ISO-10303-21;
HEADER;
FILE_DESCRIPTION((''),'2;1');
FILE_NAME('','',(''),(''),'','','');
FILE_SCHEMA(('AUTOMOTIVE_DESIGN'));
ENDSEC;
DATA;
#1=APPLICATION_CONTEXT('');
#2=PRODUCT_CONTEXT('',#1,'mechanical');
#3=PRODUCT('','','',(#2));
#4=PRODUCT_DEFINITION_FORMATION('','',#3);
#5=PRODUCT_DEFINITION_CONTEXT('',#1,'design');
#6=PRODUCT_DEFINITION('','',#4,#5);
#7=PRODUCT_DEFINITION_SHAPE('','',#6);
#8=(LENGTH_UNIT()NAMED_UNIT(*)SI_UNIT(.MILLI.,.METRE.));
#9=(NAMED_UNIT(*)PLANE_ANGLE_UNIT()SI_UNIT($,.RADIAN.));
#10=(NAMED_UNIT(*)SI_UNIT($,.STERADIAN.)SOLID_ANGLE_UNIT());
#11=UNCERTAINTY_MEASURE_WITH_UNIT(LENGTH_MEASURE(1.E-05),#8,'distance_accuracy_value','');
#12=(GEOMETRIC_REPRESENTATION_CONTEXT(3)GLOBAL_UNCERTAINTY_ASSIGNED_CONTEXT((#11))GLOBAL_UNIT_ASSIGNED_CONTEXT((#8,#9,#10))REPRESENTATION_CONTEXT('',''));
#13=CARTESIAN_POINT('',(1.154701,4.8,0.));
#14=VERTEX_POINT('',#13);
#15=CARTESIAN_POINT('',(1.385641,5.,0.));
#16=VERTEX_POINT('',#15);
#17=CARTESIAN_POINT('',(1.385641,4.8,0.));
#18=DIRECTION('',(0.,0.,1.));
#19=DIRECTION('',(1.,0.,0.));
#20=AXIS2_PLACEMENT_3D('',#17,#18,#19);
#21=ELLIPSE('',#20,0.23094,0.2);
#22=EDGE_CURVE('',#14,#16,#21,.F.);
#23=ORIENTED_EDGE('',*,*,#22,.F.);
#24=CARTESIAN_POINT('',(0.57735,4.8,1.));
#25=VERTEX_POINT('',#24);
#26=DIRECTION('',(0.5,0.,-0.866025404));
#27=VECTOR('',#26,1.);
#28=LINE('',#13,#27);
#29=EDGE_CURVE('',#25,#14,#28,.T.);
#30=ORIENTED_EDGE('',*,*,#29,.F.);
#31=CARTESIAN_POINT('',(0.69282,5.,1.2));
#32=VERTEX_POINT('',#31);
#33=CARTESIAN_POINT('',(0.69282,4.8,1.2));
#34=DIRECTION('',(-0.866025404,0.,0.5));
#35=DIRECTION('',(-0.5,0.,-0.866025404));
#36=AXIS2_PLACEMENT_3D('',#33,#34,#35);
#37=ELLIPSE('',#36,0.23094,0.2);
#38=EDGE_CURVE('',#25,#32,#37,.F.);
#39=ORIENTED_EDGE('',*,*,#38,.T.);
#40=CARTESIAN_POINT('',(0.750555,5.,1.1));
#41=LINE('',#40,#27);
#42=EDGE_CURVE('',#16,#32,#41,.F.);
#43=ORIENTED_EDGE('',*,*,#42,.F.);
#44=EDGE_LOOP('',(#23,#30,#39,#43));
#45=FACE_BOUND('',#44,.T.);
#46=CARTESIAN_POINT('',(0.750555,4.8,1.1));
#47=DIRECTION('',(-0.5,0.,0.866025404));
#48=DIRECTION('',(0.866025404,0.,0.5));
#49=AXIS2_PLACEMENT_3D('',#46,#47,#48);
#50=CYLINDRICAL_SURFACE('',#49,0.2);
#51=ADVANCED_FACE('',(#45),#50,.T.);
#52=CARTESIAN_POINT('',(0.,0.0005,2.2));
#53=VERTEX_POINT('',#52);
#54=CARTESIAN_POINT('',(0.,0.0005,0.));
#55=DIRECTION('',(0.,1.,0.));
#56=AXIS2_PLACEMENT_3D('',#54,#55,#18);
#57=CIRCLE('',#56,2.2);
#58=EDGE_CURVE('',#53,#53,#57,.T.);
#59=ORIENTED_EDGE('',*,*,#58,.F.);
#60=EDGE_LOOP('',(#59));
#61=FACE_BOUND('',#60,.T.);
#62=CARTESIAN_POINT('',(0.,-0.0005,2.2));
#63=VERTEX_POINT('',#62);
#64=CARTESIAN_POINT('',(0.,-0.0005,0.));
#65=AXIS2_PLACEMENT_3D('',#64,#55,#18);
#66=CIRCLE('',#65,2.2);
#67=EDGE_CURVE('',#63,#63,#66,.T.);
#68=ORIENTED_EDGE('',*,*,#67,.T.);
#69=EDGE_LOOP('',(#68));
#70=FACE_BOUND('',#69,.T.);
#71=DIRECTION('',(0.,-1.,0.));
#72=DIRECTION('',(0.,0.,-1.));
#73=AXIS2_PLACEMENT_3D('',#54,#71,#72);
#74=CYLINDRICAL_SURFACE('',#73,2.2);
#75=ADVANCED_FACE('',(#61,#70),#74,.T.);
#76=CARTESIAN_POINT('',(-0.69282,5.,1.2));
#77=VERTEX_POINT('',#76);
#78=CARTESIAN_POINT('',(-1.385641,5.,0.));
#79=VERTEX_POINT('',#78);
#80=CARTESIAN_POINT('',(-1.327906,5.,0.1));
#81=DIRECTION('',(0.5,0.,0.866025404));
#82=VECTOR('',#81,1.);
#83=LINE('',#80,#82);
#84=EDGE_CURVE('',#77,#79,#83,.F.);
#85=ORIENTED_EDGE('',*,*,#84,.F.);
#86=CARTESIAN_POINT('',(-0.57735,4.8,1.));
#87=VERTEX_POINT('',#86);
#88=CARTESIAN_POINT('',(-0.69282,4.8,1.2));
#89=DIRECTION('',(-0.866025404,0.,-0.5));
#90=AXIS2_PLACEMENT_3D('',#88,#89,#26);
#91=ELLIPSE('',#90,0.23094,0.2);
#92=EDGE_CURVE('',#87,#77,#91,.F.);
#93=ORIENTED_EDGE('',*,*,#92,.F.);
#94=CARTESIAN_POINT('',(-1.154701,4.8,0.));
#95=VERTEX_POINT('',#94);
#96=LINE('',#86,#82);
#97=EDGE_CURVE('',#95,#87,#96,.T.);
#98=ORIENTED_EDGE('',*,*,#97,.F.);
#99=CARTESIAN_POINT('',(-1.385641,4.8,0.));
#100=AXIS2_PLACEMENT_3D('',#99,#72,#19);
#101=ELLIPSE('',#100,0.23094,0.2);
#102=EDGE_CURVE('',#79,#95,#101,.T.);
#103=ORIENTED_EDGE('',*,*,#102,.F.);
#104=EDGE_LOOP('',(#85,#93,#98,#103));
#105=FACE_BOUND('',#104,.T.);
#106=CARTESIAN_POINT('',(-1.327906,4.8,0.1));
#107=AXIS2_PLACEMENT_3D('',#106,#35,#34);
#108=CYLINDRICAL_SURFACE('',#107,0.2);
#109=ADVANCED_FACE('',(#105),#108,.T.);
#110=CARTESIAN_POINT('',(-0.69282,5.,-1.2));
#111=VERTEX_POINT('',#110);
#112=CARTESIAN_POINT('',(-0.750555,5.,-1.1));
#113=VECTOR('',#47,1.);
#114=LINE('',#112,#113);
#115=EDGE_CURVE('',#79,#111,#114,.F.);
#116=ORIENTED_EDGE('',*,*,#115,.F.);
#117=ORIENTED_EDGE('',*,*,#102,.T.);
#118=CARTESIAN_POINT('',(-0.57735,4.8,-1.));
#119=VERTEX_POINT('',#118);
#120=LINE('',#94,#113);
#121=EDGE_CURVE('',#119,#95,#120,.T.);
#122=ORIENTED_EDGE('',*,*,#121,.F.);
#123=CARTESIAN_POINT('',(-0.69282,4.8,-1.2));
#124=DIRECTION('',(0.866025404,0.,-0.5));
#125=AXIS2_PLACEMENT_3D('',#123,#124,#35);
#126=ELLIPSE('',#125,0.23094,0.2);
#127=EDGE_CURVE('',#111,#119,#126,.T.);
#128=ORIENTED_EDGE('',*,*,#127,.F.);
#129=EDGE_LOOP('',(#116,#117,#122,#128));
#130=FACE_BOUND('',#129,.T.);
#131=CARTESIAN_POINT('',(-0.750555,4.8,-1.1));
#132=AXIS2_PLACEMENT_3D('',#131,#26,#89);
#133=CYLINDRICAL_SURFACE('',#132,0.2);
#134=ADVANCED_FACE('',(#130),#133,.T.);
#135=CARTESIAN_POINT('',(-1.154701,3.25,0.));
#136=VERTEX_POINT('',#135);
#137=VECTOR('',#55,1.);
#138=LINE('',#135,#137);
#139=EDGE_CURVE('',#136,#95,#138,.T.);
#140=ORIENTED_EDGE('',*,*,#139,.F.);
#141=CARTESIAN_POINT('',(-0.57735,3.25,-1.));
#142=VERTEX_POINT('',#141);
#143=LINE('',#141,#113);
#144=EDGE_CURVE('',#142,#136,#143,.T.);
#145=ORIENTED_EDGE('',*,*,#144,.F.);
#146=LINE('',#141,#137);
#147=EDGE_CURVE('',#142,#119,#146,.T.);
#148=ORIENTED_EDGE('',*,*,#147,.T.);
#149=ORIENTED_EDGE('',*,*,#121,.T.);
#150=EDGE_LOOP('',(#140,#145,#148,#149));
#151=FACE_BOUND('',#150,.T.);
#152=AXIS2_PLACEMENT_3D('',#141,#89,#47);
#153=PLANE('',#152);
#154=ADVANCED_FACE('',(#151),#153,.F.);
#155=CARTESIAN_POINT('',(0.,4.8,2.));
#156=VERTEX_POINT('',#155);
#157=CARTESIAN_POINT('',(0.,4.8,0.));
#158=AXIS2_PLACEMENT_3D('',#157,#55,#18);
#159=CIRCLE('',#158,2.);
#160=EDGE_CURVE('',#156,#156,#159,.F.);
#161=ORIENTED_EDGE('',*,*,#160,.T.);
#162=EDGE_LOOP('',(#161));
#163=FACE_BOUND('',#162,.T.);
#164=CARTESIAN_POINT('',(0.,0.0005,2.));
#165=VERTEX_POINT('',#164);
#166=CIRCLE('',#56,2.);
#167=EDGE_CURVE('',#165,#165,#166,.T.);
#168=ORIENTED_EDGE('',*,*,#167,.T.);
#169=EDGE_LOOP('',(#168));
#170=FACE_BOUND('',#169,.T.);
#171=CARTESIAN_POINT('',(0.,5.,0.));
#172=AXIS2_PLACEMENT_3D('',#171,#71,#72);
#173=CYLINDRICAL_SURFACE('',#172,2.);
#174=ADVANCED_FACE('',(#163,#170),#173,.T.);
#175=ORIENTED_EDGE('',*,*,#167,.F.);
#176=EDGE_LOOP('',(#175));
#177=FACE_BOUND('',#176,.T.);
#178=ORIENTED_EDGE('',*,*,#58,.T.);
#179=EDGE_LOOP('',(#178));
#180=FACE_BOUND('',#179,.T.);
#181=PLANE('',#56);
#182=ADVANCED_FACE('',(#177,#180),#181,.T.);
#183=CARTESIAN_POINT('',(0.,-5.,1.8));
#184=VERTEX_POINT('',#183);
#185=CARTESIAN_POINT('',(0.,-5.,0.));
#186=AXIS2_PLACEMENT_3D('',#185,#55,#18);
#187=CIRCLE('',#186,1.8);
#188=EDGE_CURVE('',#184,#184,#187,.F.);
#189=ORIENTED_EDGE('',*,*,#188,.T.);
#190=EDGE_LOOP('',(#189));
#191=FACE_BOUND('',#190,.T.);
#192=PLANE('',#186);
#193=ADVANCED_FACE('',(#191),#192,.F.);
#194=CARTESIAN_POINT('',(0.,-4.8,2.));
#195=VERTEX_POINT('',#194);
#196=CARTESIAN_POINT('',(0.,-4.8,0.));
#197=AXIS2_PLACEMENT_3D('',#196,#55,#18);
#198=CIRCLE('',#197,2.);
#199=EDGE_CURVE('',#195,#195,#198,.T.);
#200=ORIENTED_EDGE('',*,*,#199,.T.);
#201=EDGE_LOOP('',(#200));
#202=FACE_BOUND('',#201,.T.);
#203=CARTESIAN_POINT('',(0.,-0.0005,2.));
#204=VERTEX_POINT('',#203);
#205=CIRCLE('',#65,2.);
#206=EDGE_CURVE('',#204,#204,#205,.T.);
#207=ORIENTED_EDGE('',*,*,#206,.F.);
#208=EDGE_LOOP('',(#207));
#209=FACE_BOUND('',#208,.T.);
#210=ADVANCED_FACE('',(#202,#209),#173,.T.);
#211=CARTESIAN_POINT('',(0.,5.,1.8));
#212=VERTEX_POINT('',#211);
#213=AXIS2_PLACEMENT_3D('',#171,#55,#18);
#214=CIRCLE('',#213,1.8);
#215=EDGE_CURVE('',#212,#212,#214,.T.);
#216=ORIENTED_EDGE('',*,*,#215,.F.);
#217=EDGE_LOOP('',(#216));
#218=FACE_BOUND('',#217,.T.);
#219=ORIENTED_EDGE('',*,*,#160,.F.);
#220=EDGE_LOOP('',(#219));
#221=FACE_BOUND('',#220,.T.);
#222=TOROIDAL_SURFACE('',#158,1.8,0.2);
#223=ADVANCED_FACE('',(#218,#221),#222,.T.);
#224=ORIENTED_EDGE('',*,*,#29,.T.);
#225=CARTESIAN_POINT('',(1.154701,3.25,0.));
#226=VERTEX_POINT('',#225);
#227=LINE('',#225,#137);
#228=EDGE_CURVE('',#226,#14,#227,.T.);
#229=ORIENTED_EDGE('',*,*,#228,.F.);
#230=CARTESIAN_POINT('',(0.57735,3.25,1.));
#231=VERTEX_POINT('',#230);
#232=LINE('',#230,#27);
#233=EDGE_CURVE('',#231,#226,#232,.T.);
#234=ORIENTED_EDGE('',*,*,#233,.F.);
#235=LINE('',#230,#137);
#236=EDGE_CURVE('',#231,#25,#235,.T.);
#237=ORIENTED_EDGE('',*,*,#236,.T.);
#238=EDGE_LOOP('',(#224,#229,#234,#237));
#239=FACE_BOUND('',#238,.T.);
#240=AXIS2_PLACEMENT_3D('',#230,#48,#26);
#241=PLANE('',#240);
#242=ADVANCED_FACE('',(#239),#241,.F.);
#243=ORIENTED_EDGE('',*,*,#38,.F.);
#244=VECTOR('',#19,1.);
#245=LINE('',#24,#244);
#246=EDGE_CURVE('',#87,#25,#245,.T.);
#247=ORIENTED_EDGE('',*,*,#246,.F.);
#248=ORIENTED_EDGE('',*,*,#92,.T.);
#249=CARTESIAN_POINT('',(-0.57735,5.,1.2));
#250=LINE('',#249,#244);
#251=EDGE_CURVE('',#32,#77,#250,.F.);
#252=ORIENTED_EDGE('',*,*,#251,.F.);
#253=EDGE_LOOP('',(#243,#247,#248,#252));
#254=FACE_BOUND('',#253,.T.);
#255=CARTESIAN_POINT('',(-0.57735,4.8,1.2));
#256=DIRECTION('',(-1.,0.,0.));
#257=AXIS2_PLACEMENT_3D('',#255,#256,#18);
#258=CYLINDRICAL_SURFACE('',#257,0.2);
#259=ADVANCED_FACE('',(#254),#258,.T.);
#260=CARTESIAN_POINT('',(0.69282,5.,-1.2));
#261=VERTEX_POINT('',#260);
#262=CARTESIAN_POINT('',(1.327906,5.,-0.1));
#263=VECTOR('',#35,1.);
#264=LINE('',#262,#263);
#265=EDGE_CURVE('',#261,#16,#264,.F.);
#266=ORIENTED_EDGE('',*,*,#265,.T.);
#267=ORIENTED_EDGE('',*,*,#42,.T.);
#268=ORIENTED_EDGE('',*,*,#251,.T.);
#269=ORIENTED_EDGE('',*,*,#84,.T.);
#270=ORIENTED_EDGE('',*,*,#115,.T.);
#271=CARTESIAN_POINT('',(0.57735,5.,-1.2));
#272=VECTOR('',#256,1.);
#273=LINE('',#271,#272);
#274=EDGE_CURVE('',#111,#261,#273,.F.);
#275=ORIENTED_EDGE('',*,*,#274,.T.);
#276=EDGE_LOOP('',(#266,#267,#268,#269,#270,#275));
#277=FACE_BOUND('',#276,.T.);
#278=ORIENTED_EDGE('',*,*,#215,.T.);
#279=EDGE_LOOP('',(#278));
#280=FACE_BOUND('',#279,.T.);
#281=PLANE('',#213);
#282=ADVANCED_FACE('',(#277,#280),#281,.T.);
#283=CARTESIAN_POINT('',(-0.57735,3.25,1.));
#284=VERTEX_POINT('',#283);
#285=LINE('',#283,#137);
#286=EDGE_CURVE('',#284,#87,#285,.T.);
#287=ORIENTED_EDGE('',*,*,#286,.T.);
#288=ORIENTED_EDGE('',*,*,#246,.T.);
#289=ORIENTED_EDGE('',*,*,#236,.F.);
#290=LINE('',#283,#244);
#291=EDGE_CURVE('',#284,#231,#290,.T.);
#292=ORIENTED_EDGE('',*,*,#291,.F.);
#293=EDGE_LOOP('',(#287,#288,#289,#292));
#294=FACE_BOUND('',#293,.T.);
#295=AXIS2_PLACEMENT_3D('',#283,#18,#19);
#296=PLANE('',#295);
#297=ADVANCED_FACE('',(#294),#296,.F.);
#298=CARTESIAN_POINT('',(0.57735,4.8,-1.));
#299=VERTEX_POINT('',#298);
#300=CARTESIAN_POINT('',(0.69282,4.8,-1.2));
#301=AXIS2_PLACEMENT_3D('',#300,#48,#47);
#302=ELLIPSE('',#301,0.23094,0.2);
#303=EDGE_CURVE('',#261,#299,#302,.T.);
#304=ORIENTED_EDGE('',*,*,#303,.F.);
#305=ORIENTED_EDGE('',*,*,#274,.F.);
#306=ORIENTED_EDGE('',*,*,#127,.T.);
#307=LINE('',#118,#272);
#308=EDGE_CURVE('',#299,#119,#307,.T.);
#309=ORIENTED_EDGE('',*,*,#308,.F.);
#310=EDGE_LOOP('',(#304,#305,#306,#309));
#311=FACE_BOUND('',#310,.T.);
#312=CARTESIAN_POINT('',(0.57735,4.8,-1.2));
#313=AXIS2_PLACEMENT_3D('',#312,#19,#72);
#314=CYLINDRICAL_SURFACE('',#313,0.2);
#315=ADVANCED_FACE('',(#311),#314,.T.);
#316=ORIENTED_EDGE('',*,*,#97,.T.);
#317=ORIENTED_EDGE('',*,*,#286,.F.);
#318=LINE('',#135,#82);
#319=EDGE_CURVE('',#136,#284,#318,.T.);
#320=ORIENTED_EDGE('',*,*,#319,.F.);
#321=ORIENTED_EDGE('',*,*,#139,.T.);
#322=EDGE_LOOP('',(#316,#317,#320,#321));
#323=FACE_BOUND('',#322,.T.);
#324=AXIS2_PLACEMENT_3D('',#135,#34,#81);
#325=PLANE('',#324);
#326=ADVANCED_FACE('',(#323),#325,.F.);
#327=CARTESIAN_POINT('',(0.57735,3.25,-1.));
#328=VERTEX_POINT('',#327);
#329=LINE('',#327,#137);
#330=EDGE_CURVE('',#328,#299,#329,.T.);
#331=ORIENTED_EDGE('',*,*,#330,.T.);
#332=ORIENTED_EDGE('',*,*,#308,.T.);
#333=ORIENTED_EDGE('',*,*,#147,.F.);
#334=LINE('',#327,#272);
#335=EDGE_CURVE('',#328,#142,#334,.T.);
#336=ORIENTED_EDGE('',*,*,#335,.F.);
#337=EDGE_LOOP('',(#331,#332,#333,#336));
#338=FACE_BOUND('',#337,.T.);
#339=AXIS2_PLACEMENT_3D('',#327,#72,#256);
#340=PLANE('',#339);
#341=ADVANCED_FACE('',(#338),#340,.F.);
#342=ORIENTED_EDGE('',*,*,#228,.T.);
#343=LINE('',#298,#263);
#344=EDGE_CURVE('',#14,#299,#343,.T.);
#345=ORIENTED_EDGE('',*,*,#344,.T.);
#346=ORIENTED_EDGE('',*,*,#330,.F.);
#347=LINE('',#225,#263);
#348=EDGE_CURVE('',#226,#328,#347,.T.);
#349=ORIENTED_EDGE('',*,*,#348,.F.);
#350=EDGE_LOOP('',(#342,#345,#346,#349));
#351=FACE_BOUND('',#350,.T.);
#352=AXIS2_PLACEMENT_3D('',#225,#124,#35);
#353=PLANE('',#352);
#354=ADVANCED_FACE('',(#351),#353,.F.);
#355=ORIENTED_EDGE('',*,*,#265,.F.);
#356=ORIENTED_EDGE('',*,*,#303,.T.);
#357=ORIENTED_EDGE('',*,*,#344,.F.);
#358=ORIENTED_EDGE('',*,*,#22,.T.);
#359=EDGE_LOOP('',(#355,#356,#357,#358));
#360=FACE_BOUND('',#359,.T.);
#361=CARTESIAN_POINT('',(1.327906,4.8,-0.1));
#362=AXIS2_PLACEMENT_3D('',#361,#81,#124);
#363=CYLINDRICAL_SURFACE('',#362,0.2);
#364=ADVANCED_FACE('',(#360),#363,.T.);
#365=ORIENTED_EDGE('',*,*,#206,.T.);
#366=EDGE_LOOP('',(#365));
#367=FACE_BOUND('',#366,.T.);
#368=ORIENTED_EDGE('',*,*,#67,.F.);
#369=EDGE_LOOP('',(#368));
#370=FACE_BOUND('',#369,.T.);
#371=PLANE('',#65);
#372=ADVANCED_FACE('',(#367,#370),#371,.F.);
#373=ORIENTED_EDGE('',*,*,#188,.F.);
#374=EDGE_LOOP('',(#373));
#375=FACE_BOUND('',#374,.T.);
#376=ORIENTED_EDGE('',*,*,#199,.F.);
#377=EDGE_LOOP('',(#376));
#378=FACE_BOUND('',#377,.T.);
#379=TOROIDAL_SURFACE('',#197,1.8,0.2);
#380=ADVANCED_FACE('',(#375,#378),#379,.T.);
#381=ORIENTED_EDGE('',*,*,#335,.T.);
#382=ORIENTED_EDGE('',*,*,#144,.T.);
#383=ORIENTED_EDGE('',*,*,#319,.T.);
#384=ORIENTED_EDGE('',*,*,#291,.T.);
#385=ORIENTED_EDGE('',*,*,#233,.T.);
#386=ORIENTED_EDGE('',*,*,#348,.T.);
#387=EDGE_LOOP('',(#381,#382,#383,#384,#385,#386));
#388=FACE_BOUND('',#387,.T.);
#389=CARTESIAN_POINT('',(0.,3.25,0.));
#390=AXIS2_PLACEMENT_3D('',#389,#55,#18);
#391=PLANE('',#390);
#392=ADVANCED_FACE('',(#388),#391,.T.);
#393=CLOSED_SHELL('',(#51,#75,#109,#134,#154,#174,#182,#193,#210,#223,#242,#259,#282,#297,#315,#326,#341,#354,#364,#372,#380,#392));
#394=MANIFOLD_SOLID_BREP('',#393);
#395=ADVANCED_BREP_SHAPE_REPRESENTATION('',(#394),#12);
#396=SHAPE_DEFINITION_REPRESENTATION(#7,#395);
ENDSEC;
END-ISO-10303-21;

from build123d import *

# Parameters (mm, degrees)
SKETCH_1_R          = 2
EXTRUDE_1_DEPTH     = 5
CUT_EXTRUDE_1_DEPTH = 1.75
FILLET_1_R          = 0.2
SKETCH_2_R          = 2.2
EXTRUDE_2_DEPTH     = 0.0005


with BuildPart() as part:
    # 草图1 → 凸台-拉伸1 (new, symmetric)
    with BuildSketch(Plane(origin=(0, 0, 0), x_dir=(1, 0, 0), z_dir=(0, 1, 0))):
        with Locations(Location((0, 0, 0), (0, 0, 270))):
            Circle(SKETCH_1_R)
    extrude(amount=EXTRUDE_1_DEPTH, both=True)

    # 草图3 → 切除-拉伸1 (cut)
    with BuildSketch(Plane(origin=(0, 5, 0), x_dir=(1, 0, 0), z_dir=(0, 1, 0))):
        Polygon((1.154700538, 0), (0.577350269, 1), (-0.577350269, 1), (-1.154700538, 0), (-0.577350269, -1), (0.577350269, -1), align=None)
    extrude(amount=-CUT_EXTRUDE_1_DEPTH, mode=Mode.SUBTRACT)

    # 圆角1
    fillet_1_edges = [part.edges().sort_by_distance(p)[0] for p in [
        (0.866025404, 5, 0.5),
        (0.866025404, 5, -0.5),
        (0, 5, -1),
        (-0.866025404, 5, -0.5),
        (-0.866025404, 5, 0.5),
        (0, 5, 1),
        (0, -5, -2),
        (0, 5, -2),
    ]]
    fillet(fillet_1_edges, radius=FILLET_1_R)

    # 草图2 → 凸台-拉伸2 (add, symmetric)
    with BuildSketch(Plane(origin=(0, 0, 0), x_dir=(1, 0, 0), z_dir=(0, 1, 0))):
        with Locations(Location((0, 0, 0), (0, 0, 270))):
            Circle(SKETCH_2_R)
    extrude(amount=EXTRUDE_2_DEPTH, both=True)


solid = part.part
